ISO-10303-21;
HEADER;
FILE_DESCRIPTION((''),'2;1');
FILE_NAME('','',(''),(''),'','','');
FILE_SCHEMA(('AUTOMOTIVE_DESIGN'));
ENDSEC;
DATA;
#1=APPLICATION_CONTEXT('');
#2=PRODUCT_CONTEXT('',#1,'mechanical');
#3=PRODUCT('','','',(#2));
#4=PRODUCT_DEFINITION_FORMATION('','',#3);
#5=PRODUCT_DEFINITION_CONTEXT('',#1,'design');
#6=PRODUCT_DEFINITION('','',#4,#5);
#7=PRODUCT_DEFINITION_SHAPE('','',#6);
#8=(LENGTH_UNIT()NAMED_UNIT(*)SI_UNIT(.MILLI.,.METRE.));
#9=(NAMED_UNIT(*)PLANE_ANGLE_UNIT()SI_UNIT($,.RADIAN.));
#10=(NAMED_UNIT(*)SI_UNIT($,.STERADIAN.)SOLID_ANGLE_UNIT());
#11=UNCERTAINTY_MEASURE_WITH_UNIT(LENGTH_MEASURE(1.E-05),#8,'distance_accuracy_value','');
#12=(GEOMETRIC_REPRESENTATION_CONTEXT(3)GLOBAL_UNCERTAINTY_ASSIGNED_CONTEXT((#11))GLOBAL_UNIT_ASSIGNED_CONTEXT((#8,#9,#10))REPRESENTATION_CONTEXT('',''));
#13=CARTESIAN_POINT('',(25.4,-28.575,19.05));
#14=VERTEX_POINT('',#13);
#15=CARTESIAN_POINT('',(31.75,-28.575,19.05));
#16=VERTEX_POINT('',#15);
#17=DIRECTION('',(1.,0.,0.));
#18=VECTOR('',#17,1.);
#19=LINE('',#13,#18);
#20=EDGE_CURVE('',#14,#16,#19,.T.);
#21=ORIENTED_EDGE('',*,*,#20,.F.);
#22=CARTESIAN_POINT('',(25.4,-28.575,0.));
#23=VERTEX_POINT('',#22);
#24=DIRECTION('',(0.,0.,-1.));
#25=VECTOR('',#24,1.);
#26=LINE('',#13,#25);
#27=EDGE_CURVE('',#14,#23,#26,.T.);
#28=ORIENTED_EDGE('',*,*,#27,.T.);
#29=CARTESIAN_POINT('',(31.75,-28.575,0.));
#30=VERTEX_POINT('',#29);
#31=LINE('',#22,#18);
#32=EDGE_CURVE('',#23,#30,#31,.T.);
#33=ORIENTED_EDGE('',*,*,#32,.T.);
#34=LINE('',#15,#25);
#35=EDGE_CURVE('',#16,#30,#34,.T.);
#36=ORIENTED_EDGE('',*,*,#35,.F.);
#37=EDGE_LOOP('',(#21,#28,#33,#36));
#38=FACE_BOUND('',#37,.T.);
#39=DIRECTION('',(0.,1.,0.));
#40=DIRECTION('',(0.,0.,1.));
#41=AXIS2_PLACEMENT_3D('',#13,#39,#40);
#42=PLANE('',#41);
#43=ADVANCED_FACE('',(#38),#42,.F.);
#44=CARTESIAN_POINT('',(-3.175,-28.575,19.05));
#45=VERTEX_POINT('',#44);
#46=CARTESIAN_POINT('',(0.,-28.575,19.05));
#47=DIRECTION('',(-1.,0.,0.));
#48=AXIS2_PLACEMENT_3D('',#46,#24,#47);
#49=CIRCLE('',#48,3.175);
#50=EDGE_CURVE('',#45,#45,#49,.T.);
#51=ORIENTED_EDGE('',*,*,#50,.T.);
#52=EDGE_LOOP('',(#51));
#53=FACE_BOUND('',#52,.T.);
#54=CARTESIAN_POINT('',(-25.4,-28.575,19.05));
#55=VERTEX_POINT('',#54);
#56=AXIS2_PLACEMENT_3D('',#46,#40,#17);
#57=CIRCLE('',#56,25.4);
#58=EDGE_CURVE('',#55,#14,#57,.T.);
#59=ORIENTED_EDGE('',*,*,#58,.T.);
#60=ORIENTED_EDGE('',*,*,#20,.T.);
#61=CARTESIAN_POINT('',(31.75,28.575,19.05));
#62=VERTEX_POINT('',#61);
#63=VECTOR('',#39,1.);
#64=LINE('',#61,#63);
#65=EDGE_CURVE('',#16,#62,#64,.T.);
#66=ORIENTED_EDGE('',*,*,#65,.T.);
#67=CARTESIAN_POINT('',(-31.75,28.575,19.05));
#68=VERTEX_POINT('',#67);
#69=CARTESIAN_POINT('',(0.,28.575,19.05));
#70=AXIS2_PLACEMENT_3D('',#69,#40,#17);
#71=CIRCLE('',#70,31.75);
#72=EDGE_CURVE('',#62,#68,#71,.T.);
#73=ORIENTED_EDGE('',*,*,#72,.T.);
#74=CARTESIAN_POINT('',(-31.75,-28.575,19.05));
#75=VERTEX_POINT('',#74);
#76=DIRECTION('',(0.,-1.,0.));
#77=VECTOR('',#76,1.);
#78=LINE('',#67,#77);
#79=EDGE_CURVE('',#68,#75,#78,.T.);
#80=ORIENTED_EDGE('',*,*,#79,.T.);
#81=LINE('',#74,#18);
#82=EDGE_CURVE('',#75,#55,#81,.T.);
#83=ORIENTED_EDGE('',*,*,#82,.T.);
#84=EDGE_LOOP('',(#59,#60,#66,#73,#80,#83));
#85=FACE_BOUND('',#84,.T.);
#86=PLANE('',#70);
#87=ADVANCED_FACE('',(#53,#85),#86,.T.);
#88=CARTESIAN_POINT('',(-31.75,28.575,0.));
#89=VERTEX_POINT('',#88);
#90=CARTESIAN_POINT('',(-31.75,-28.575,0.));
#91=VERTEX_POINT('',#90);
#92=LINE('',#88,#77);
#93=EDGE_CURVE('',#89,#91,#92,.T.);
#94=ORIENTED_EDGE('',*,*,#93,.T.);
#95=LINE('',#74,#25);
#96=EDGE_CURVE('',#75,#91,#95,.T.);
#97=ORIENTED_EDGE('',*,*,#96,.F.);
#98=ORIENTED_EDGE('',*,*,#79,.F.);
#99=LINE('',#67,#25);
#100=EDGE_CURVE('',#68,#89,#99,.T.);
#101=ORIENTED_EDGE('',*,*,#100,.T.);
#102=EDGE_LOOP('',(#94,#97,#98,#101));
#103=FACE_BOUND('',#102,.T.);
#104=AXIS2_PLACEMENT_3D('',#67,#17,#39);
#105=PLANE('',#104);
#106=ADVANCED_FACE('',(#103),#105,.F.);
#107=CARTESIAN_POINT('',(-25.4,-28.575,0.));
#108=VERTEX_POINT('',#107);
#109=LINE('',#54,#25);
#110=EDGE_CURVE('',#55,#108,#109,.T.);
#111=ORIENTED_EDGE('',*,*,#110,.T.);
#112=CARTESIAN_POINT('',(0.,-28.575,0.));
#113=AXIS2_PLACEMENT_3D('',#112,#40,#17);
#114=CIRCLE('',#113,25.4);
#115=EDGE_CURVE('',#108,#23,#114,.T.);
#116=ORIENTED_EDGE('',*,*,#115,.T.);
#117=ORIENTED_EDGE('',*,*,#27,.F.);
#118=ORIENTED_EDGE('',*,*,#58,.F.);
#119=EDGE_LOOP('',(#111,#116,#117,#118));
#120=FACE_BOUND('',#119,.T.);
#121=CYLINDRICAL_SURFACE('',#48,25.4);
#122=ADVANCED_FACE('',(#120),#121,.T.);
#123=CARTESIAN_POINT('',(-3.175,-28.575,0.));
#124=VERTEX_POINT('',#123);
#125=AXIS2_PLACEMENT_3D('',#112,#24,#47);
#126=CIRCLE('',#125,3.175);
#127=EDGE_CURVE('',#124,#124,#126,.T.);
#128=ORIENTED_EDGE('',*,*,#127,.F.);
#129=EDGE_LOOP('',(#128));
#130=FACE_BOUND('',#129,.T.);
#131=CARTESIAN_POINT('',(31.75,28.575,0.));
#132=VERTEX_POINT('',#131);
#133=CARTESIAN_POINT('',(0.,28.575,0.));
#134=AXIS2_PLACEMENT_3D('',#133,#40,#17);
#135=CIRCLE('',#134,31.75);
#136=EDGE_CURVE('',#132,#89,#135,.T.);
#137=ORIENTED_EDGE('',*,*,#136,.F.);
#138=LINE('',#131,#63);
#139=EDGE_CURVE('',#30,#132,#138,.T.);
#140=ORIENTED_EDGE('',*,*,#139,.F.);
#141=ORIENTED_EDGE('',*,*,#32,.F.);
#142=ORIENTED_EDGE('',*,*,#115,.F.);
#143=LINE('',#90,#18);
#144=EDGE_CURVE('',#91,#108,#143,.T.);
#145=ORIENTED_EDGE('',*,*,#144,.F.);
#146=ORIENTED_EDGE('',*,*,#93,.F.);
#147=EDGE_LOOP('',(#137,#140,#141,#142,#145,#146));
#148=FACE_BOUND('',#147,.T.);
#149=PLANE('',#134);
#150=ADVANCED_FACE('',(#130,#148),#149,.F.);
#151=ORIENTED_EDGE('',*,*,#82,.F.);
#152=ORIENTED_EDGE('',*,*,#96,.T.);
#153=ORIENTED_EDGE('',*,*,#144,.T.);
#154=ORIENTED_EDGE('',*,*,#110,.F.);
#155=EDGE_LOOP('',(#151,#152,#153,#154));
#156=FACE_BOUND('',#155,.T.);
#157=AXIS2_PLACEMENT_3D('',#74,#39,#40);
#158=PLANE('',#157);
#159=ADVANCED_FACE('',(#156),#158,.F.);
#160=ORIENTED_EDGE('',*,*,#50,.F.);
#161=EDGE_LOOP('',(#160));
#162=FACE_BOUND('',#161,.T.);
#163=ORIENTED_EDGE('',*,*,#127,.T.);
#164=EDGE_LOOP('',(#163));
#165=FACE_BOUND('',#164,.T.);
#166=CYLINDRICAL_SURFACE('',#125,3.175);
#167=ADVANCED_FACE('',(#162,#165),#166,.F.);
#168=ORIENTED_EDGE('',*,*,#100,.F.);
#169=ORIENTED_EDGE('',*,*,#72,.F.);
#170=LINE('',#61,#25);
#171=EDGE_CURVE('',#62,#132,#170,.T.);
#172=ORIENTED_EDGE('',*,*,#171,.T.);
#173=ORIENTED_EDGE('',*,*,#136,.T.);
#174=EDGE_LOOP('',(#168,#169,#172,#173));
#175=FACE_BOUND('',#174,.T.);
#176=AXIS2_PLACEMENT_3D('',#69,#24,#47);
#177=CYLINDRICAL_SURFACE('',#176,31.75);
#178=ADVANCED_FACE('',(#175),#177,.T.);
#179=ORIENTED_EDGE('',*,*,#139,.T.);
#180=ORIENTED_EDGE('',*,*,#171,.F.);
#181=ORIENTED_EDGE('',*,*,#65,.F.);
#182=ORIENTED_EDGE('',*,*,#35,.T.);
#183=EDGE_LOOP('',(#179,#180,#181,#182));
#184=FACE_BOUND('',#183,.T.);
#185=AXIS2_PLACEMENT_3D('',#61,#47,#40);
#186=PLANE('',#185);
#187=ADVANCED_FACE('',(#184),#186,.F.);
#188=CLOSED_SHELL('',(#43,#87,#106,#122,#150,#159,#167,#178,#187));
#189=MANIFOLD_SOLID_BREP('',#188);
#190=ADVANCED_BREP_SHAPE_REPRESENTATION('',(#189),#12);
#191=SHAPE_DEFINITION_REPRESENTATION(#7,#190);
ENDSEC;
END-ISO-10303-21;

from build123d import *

# Parameters (mm, degrees)
BOSS_EXTRUDE1_DEPTH         = 19.05
F_1_4_0_25_DIAMETER_HOLE1_D = 6.35


with BuildPart() as part:
    # Sketch2 → Boss-Extrude1 (new body)
    with BuildSketch(Plane.XY):
        with BuildLine():
            Line((31.75, 28.575), (31.75, -28.575))
            Line((31.75, -28.575), (25.4, -28.575))
            ThreePointArc((25.4, -28.575), (0, -53.975), (-25.4, -28.575))
            Line((-25.4, -28.575), (-31.75, -28.575))
            Line((-31.75, -28.575), (-31.75, 28.575))
            ThreePointArc((-31.75, 28.575), (0, 60.325), (31.75, 28.575))
        make_face()
    extrude(amount=BOSS_EXTRUDE1_DEPTH)

    # 1/4 (0.25) Diameter Hole1 (through all)
    with Locations(Plane(origin=(0, 0, 0), x_dir=(-1, 0, 0), z_dir=(0, 0, -1))):
        with Locations((0, -28.575)):
            Hole(F_1_4_0_25_DIAMETER_HOLE1_D / 2)


solid = part.part
